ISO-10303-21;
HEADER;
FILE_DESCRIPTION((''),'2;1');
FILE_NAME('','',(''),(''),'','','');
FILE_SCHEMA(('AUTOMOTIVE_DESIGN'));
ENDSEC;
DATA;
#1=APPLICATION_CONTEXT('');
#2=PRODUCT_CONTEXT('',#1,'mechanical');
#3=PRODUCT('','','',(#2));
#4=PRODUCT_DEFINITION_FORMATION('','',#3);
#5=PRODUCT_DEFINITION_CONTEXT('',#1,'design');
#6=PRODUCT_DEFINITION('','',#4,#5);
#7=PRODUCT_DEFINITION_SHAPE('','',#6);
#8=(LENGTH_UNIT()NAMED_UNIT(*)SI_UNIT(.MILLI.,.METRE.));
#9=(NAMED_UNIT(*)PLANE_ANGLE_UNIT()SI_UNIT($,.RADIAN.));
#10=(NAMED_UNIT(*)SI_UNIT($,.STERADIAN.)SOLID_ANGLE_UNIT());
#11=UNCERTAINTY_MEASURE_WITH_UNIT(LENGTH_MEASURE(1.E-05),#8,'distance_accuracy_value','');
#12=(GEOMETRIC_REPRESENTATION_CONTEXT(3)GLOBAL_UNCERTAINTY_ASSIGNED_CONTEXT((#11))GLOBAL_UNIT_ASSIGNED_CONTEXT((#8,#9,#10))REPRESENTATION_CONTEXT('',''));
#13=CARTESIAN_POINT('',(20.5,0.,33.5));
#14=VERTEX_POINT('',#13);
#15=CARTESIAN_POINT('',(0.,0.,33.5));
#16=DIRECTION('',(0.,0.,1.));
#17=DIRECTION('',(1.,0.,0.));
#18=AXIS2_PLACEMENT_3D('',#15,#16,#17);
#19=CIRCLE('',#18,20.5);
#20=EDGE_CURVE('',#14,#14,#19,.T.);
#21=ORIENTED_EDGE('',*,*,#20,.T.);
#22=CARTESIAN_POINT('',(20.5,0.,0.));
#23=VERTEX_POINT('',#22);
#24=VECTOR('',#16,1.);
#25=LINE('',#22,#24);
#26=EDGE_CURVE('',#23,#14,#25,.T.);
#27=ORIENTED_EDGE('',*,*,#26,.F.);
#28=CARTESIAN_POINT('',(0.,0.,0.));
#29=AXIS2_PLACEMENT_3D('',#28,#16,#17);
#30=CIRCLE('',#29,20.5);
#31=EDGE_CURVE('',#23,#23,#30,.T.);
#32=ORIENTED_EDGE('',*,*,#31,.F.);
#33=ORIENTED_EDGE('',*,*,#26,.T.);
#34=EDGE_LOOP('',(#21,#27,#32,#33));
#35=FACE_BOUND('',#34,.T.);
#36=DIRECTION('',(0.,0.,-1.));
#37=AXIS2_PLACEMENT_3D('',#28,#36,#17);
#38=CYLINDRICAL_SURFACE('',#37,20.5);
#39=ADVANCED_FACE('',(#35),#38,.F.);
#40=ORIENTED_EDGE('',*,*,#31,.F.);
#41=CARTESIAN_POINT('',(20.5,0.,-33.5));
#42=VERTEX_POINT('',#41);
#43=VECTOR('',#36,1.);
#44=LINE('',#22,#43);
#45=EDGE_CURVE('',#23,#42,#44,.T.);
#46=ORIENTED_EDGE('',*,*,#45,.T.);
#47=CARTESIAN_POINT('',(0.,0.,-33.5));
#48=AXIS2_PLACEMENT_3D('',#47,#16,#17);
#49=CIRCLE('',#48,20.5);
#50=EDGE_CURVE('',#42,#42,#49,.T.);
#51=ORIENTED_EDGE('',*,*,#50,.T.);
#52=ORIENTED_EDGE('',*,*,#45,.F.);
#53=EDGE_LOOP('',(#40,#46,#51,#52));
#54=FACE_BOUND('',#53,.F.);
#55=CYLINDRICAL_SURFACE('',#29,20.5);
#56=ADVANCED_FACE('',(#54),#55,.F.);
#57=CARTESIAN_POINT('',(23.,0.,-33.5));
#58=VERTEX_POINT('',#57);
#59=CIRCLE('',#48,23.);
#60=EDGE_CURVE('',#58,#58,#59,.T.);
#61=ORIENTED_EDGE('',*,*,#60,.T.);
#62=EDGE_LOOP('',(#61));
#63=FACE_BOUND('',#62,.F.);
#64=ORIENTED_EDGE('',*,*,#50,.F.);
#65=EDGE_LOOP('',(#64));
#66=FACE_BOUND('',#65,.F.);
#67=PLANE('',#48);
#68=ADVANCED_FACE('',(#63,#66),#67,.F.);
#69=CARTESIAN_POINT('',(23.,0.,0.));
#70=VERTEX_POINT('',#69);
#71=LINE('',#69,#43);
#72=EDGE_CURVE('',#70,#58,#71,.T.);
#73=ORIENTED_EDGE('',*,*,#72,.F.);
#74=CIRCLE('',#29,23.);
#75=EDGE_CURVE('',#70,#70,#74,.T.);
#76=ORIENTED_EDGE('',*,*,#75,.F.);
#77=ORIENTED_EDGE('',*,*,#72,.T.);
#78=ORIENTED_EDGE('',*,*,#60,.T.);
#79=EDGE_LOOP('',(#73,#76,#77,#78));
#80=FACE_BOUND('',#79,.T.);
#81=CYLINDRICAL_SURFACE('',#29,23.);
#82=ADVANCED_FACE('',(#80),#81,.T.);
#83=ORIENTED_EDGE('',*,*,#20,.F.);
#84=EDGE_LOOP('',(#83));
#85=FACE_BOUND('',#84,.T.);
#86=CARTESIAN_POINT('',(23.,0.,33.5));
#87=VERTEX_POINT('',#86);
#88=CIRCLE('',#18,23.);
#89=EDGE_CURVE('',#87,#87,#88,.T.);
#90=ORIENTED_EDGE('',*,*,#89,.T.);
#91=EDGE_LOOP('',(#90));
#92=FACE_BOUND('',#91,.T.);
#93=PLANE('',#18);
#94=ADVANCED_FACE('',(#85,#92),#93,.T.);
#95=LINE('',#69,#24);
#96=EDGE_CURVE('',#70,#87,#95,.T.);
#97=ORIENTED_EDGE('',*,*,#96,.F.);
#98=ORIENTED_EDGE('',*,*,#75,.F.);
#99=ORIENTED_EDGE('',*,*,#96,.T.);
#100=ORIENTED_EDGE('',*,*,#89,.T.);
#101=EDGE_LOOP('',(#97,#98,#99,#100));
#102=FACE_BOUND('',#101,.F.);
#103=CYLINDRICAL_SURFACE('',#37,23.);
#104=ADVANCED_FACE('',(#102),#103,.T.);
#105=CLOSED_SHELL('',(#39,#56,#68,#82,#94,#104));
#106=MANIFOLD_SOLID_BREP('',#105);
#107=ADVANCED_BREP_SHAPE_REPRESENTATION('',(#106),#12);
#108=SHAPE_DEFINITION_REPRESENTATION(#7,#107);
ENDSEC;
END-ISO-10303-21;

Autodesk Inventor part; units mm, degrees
ref_plane "YZ Plane" through (0, 0, 0) normal (1, 0, 0) x (0, 1, 0)
ref_plane "XZ Plane" through (0, 0, 0) normal (0, 1, 0) x (-1, 0, 0)
ref_plane "XY Plane" through (0, 0, 0) normal (0, 0, 1) x (1, 0, 0)
sketch "Sketch1" plane through (0, 0, 0) normal (0, 0, 1) x (1, 0, 0)
  circle A0 centre (0, 0) radius 23
  circle A1 centre (0, 0) radius 20.5
  dimension "d0" = 46
  dimension "d1" = 41
extrude "Extrusion1" add sketch "Sketch1" along normal mid plane 67
equation "\"LENGTH\" = 25.4"
properties part number "TU-004" material "Stainless Steel"
